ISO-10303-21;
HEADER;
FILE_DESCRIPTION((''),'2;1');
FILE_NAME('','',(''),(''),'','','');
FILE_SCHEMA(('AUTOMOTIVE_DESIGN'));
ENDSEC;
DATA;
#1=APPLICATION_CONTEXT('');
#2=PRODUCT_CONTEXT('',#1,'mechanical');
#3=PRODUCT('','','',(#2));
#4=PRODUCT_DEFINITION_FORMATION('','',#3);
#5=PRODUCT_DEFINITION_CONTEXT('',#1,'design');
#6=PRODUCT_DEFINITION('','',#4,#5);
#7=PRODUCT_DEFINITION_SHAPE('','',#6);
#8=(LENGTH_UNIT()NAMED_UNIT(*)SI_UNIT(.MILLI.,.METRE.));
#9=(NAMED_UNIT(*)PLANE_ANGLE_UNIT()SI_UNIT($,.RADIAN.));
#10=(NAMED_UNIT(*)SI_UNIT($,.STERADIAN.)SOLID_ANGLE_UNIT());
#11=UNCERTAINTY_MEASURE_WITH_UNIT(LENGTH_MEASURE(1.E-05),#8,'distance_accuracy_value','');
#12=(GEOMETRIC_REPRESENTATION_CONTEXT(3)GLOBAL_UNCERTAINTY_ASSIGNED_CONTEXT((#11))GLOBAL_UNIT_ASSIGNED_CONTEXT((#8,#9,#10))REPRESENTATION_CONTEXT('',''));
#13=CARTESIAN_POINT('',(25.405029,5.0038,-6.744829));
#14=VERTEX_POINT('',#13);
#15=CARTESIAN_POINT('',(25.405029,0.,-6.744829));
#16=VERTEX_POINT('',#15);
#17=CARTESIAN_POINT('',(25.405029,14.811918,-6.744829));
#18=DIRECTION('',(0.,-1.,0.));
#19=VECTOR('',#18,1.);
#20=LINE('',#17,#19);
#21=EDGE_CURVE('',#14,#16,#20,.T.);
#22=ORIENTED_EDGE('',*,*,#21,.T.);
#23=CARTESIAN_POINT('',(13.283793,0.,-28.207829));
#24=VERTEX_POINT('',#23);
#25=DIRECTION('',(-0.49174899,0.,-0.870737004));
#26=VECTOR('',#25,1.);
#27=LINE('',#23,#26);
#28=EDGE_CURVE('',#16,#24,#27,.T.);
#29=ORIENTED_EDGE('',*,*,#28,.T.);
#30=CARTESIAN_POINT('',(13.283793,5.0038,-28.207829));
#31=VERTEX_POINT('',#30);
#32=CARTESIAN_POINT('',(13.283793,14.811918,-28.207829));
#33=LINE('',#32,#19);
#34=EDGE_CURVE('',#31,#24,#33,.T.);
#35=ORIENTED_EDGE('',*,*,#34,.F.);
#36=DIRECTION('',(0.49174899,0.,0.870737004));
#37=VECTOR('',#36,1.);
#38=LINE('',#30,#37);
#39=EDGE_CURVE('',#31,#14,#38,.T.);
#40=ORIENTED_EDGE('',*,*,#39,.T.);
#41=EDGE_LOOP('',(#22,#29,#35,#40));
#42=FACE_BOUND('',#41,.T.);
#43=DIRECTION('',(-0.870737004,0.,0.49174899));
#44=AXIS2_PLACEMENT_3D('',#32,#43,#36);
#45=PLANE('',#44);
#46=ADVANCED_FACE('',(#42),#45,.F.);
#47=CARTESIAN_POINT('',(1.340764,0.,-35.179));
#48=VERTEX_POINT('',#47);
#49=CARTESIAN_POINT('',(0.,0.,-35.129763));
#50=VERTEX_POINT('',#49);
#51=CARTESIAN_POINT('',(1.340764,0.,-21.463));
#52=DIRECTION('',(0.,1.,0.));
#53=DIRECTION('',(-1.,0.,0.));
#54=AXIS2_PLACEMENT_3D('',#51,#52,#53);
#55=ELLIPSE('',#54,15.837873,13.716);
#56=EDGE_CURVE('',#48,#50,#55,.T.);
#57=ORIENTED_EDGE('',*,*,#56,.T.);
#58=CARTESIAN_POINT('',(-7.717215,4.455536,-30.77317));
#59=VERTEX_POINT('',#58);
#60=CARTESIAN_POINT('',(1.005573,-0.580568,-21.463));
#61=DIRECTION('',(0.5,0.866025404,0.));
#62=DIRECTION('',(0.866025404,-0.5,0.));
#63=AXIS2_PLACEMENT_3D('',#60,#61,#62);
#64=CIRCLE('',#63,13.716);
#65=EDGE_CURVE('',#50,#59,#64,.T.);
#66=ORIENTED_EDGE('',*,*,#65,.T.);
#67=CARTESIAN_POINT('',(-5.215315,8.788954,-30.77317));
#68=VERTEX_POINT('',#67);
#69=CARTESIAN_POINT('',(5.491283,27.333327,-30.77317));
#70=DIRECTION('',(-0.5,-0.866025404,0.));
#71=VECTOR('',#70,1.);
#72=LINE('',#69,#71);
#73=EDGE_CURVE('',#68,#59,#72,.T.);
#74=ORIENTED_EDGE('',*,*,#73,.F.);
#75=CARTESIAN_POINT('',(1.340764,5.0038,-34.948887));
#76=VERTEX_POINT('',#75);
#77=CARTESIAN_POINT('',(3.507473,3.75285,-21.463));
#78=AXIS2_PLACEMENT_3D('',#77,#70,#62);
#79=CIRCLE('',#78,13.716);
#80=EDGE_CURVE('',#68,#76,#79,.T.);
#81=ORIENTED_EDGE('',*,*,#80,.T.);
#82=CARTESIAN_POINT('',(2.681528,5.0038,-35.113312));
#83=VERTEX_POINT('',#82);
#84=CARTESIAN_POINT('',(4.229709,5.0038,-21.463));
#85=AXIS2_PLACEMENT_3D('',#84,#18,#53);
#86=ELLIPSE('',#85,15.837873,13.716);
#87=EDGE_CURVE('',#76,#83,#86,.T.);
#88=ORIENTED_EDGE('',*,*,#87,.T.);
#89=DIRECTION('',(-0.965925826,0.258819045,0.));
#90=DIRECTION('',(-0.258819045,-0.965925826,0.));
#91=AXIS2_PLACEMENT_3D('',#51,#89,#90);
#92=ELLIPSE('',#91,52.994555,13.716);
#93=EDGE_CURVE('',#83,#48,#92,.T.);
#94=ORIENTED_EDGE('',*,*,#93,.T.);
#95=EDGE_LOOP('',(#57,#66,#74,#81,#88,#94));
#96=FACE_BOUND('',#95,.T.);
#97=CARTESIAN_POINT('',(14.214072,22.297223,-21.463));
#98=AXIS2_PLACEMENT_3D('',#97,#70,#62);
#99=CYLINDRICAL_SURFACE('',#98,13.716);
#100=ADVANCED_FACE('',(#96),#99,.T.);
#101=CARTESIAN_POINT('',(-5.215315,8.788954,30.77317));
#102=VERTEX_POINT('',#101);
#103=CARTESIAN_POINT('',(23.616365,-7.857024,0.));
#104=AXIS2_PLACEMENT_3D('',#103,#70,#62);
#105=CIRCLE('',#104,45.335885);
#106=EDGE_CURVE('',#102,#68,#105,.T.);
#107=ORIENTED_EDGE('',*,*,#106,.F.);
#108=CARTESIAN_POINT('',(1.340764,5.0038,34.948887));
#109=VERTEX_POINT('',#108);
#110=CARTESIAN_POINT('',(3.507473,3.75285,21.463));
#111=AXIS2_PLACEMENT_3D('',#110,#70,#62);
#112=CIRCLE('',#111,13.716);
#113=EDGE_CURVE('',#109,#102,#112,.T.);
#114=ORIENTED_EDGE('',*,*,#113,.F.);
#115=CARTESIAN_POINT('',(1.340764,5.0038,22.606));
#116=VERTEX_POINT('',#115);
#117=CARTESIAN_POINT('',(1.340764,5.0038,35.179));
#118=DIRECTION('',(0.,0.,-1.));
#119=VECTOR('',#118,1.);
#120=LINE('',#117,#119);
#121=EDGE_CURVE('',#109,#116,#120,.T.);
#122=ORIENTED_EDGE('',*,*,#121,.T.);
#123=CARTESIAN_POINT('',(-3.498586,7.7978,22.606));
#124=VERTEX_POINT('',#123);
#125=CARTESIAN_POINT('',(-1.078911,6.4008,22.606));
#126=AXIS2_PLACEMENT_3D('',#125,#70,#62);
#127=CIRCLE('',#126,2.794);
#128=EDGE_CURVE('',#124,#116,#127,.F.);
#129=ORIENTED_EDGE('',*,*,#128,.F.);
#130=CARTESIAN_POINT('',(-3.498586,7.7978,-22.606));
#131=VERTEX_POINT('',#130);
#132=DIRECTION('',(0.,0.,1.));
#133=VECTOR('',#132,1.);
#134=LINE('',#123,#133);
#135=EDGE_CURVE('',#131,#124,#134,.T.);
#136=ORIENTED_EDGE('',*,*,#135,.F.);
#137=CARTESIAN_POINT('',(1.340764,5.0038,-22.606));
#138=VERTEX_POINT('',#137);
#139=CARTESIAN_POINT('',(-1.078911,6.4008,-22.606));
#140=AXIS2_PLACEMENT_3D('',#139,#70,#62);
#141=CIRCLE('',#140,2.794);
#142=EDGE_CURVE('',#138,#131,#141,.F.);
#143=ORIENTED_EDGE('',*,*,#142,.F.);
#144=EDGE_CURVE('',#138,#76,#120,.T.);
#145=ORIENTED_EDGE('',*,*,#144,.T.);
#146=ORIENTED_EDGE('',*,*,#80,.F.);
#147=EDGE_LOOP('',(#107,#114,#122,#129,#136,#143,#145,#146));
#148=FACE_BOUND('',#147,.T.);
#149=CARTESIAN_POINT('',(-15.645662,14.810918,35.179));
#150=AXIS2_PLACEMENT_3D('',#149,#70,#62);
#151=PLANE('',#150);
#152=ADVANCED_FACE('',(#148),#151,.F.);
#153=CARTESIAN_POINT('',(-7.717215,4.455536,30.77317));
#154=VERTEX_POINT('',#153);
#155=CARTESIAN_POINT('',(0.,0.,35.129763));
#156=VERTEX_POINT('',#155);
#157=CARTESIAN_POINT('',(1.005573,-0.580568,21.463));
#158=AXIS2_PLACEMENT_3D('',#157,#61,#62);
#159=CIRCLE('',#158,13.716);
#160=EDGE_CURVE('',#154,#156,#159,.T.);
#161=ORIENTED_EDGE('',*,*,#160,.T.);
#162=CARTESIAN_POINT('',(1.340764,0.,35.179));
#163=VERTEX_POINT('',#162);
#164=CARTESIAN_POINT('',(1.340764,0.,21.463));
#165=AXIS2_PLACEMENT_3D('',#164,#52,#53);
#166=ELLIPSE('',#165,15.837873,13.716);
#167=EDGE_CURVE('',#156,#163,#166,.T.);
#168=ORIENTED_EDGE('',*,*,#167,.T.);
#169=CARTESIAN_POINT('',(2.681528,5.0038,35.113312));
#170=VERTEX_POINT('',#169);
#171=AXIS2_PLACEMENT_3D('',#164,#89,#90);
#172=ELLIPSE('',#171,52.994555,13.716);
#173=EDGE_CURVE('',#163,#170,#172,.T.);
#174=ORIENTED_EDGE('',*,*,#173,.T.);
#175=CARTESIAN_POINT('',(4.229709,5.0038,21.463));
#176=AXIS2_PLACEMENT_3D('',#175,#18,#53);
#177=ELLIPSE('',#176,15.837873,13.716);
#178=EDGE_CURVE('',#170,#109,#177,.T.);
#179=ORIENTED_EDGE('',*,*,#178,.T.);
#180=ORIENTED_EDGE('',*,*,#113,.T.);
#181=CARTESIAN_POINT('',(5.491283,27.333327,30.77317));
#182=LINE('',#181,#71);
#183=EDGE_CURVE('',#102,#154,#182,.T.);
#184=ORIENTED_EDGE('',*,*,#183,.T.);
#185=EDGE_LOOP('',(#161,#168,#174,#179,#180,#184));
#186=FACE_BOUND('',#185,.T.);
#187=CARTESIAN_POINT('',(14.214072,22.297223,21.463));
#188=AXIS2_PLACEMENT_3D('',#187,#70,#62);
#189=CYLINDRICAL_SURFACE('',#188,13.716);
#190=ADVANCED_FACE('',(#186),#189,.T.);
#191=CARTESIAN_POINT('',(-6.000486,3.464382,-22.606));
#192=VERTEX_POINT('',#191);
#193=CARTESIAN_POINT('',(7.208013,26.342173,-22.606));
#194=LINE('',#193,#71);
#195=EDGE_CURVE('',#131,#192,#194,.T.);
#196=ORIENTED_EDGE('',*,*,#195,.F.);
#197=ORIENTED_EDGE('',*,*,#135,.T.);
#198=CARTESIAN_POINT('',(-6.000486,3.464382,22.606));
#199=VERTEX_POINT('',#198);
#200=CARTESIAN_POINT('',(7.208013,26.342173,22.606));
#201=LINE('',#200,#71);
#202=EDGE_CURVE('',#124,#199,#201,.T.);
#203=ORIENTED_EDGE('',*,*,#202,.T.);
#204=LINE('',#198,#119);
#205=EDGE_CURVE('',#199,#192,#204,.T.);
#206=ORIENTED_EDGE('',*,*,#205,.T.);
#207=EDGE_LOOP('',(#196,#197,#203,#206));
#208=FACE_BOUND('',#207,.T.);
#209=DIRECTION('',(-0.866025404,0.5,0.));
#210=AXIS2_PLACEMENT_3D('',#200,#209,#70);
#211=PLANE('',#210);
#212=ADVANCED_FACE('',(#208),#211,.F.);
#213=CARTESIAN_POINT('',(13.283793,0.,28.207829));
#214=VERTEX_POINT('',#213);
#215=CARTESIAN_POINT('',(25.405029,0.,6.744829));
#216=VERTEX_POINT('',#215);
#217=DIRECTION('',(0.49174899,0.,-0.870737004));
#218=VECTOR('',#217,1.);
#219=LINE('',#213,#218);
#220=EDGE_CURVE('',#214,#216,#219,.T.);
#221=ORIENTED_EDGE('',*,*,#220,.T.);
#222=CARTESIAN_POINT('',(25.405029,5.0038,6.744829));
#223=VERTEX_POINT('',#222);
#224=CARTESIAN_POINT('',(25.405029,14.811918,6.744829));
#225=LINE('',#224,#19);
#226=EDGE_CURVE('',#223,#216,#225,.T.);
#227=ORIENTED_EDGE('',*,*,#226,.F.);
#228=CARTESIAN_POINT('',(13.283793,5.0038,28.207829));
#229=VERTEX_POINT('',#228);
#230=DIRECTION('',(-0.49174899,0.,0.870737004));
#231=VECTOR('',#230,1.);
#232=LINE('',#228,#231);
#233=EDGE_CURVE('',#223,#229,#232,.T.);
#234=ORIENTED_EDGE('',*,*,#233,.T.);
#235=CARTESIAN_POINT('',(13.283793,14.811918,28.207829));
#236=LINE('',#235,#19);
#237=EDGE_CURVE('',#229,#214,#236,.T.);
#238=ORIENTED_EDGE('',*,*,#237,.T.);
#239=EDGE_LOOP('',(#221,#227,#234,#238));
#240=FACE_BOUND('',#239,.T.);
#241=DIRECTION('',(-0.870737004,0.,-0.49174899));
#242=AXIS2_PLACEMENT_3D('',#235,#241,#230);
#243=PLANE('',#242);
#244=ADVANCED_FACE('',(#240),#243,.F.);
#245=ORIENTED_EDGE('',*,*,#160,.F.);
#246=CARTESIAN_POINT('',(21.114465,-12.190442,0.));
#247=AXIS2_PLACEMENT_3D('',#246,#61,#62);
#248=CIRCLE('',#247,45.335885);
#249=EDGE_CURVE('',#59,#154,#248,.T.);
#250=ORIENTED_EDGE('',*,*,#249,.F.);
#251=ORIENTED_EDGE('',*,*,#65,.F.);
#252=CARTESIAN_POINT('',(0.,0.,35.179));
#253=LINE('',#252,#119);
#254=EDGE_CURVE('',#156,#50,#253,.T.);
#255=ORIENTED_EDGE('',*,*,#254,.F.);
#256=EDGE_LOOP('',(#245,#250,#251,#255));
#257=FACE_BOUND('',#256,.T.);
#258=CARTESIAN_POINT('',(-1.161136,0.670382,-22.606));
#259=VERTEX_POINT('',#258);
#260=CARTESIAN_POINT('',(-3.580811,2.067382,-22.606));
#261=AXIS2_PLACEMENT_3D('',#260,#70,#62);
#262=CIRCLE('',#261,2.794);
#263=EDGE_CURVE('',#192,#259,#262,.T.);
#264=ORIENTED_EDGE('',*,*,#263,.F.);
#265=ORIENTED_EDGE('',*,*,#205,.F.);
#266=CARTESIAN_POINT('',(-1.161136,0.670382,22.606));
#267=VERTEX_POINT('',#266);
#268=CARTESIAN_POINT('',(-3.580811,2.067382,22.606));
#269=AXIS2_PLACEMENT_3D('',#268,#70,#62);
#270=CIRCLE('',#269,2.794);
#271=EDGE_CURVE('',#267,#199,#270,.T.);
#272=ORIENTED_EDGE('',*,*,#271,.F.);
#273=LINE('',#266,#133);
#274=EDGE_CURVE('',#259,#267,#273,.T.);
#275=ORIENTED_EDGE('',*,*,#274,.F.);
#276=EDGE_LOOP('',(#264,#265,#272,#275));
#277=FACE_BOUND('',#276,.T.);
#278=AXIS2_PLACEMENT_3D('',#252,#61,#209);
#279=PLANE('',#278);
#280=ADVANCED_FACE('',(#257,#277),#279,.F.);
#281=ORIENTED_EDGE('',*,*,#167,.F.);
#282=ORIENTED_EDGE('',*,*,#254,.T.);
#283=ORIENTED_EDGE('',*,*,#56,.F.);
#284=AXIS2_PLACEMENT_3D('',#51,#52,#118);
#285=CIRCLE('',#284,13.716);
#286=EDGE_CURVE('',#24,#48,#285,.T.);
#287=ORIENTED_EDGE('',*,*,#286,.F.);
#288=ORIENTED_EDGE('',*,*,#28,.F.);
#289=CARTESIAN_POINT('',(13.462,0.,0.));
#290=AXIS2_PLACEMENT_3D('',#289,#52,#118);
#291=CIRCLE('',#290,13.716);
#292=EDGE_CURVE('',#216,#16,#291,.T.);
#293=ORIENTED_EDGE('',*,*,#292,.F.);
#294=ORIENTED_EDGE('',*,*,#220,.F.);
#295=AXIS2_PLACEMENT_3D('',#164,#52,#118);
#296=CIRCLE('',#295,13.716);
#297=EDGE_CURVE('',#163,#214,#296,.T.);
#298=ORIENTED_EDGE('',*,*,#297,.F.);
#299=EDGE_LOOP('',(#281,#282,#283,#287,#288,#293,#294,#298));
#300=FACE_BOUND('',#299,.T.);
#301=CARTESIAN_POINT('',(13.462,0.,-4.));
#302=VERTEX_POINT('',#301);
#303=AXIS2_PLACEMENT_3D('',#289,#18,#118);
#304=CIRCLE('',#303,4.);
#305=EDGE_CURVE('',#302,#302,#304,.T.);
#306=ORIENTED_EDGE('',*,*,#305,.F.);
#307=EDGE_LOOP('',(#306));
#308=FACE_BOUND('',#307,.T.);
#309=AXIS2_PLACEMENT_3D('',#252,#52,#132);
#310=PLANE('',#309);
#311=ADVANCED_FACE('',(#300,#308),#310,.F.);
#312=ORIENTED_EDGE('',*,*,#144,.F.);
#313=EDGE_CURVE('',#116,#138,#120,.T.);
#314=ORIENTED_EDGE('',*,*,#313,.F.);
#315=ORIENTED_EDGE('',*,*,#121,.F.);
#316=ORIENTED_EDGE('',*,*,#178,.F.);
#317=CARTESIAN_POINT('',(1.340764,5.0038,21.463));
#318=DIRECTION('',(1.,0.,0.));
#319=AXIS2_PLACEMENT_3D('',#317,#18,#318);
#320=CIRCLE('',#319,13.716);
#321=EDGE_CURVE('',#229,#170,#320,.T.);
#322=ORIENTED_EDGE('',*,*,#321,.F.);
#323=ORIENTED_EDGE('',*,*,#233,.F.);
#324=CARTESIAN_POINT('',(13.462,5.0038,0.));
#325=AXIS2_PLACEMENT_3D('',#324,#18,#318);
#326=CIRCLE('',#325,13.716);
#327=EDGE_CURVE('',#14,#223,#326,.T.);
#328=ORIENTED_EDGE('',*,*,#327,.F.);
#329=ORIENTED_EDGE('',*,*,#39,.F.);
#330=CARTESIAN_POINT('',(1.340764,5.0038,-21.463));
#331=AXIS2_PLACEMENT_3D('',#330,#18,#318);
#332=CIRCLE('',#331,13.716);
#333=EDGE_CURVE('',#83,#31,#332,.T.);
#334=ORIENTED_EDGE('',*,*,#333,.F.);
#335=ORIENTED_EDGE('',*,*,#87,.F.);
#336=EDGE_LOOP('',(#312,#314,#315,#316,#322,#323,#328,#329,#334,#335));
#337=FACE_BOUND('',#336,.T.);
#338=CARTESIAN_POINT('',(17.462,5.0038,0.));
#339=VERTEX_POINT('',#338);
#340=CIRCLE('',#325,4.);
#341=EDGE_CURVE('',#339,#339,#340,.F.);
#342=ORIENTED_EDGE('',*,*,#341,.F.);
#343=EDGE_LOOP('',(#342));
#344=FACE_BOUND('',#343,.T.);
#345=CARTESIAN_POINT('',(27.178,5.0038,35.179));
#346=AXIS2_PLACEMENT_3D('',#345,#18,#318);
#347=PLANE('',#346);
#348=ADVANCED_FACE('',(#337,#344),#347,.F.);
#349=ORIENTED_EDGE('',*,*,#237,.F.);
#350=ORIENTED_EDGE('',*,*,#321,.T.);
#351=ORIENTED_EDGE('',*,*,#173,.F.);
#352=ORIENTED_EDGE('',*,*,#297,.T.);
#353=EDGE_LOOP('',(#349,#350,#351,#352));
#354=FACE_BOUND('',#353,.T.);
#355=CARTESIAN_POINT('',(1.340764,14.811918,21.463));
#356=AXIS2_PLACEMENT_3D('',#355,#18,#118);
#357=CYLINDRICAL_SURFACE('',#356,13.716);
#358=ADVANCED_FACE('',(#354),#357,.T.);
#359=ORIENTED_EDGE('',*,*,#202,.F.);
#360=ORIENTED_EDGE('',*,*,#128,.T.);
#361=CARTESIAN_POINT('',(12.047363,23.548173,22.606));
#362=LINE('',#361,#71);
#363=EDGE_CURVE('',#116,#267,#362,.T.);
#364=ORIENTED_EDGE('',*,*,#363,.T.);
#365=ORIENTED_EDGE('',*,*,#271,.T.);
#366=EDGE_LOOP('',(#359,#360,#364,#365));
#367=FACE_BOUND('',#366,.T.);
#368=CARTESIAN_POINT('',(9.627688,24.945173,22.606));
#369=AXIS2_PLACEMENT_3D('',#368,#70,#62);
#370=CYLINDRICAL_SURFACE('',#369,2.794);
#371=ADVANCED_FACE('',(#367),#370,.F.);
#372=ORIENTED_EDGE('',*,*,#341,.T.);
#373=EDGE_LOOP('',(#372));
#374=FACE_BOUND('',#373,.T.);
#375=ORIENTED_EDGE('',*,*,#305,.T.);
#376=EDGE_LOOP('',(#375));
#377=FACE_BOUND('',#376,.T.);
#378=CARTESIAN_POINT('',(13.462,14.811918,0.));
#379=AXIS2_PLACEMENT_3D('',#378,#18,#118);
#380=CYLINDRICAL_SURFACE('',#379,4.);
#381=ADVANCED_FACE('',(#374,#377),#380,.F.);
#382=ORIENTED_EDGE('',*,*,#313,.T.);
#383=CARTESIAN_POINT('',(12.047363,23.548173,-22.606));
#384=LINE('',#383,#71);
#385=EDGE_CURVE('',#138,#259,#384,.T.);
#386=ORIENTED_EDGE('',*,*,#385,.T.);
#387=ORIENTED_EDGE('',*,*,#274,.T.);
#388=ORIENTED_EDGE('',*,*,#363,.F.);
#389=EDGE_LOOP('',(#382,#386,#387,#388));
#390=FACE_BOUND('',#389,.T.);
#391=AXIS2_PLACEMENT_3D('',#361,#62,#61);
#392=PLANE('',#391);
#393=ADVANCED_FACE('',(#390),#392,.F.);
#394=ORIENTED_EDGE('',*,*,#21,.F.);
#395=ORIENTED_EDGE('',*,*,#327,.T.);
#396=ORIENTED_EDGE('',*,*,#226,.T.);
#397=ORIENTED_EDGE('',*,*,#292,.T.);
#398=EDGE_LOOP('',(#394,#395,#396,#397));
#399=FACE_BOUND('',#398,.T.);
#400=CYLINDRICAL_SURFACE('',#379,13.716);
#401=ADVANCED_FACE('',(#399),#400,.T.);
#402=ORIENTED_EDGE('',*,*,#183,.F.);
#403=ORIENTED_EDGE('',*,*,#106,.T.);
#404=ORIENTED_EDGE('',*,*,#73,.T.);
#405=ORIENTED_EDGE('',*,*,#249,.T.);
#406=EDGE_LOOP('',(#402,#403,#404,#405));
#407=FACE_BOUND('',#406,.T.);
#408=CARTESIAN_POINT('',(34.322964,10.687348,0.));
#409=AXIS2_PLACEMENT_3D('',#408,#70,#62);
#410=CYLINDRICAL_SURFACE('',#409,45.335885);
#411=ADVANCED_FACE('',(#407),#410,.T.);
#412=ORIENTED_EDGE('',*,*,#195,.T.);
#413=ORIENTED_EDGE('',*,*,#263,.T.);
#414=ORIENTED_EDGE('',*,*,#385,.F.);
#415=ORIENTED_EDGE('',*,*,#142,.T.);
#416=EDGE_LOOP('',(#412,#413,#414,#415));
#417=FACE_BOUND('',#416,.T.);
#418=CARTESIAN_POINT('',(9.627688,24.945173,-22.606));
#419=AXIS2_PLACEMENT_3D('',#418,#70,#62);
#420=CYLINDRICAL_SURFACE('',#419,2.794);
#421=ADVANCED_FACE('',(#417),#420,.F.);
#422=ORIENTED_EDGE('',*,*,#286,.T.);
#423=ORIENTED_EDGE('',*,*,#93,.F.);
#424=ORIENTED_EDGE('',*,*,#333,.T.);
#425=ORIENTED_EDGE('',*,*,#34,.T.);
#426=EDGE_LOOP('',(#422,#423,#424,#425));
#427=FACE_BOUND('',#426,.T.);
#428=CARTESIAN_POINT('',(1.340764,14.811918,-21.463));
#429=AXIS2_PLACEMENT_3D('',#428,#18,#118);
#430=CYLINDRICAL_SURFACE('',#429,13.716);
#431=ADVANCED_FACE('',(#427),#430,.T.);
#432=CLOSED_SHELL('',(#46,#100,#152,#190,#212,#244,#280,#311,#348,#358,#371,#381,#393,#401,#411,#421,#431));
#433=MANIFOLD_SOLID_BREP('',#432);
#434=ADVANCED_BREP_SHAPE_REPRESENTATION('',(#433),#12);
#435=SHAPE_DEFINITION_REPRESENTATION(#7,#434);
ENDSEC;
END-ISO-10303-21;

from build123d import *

# Parameters (mm, degrees)
BOSS_EXTRUDE1_DEPTH = 35.179
CUT_EXTRUDE2_START  = -5.0038
SKETCH2_R           = 4
CUT_EXTRUDE2_DEPTH  = 5.0038
CUT_EXTRUDE3_START  = -5.674182
CUT_EXTRUDE3_DEPTH  = 5.674182


with BuildPart() as part:
    # Sketch1 → Boss-Extrude1 (new, symmetric)
    with BuildSketch(Plane.XY):
        Polygon((0, 0), (27.178, 0), (27.178, 5.0038), (1.340764169, 5.0038), (-15.645662336, 14.810917915), (-18.147562336, 10.4775), align=None)
    extrude(amount=BOSS_EXTRUDE1_DEPTH, both=True)

    # Sketch2 → Cut-Extrude2 (cut)
    with BuildSketch(Plane.XZ.offset(CUT_EXTRUDE2_START)):
        with Locations(Location((13.462, 0, 0), (0, 0, 270))):
            Circle(SKETCH2_R)
        with BuildLine():
            Line((1.340764169, 35.179), (53.015235831, 35.179))
            Line((53.015235831, 35.179), (53.015235831, -35.179))
            Line((53.015235831, -35.179), (1.340764169, -35.179))
            ThreePointArc((1.340764169, -35.179), (8.255118058, -33.308689777), (13.28379292, -28.207829149))
            Line((13.28379292, -28.207829149), (25.405028751, -6.744829149))
            ThreePointArc((25.405028751, -6.744829149), (27.178, 0), (25.405028751, 6.744829149))
            Line((25.405028751, 6.744829149), (13.28379292, 28.207829149))
            ThreePointArc((13.28379292, 28.207829149), (8.255118058, 33.308689777), (1.340764169, 35.179))
        make_face()
    extrude(amount=CUT_EXTRUDE2_DEPTH, mode=Mode.SUBTRACT)

    # Sketch3 → Cut-Extrude3 (cut)
    with BuildSketch(Plane(origin=(0, 0, 0), x_dir=(0, 0, 1), z_dir=(-0.4999999999999947, -0.8660254037844417, 0)).offset(CUT_EXTRUDE3_START)):
        with BuildLine():
            Line((22.606, 6.928764169), (-22.606, 6.928764169))
            ThreePointArc((-22.606, 6.928764169), (-25.4, 4.134764169), (-22.606, 1.340764169))
            Line((-22.606, 1.340764169), (22.606, 1.340764169))
            ThreePointArc((22.606, 1.340764169), (25.4, 4.134764169), (22.606, 6.928764169))
        make_face()
        with BuildLine():
            Line((-35.179, -1.161135831), (-35.179, 43.071135831))
            Line((-35.179, 43.071135831), (35.179, 43.071135831))
            Line((35.179, 43.071135831), (35.179, -1.161135831))
            ThreePointArc((35.179, -1.161135831), (34.029362855, 4.335697857), (30.773170225, 8.911072784))
            ThreePointArc((30.773170225, 8.911072784), (0, 20.955), (-30.773170225, 8.911072784))
            ThreePointArc((-30.773170225, 8.911072784), (-34.029362855, 4.335697857), (-35.179, -1.161135831))
        make_face()
    extrude(amount=CUT_EXTRUDE3_DEPTH, mode=Mode.SUBTRACT)


solid = part.part
